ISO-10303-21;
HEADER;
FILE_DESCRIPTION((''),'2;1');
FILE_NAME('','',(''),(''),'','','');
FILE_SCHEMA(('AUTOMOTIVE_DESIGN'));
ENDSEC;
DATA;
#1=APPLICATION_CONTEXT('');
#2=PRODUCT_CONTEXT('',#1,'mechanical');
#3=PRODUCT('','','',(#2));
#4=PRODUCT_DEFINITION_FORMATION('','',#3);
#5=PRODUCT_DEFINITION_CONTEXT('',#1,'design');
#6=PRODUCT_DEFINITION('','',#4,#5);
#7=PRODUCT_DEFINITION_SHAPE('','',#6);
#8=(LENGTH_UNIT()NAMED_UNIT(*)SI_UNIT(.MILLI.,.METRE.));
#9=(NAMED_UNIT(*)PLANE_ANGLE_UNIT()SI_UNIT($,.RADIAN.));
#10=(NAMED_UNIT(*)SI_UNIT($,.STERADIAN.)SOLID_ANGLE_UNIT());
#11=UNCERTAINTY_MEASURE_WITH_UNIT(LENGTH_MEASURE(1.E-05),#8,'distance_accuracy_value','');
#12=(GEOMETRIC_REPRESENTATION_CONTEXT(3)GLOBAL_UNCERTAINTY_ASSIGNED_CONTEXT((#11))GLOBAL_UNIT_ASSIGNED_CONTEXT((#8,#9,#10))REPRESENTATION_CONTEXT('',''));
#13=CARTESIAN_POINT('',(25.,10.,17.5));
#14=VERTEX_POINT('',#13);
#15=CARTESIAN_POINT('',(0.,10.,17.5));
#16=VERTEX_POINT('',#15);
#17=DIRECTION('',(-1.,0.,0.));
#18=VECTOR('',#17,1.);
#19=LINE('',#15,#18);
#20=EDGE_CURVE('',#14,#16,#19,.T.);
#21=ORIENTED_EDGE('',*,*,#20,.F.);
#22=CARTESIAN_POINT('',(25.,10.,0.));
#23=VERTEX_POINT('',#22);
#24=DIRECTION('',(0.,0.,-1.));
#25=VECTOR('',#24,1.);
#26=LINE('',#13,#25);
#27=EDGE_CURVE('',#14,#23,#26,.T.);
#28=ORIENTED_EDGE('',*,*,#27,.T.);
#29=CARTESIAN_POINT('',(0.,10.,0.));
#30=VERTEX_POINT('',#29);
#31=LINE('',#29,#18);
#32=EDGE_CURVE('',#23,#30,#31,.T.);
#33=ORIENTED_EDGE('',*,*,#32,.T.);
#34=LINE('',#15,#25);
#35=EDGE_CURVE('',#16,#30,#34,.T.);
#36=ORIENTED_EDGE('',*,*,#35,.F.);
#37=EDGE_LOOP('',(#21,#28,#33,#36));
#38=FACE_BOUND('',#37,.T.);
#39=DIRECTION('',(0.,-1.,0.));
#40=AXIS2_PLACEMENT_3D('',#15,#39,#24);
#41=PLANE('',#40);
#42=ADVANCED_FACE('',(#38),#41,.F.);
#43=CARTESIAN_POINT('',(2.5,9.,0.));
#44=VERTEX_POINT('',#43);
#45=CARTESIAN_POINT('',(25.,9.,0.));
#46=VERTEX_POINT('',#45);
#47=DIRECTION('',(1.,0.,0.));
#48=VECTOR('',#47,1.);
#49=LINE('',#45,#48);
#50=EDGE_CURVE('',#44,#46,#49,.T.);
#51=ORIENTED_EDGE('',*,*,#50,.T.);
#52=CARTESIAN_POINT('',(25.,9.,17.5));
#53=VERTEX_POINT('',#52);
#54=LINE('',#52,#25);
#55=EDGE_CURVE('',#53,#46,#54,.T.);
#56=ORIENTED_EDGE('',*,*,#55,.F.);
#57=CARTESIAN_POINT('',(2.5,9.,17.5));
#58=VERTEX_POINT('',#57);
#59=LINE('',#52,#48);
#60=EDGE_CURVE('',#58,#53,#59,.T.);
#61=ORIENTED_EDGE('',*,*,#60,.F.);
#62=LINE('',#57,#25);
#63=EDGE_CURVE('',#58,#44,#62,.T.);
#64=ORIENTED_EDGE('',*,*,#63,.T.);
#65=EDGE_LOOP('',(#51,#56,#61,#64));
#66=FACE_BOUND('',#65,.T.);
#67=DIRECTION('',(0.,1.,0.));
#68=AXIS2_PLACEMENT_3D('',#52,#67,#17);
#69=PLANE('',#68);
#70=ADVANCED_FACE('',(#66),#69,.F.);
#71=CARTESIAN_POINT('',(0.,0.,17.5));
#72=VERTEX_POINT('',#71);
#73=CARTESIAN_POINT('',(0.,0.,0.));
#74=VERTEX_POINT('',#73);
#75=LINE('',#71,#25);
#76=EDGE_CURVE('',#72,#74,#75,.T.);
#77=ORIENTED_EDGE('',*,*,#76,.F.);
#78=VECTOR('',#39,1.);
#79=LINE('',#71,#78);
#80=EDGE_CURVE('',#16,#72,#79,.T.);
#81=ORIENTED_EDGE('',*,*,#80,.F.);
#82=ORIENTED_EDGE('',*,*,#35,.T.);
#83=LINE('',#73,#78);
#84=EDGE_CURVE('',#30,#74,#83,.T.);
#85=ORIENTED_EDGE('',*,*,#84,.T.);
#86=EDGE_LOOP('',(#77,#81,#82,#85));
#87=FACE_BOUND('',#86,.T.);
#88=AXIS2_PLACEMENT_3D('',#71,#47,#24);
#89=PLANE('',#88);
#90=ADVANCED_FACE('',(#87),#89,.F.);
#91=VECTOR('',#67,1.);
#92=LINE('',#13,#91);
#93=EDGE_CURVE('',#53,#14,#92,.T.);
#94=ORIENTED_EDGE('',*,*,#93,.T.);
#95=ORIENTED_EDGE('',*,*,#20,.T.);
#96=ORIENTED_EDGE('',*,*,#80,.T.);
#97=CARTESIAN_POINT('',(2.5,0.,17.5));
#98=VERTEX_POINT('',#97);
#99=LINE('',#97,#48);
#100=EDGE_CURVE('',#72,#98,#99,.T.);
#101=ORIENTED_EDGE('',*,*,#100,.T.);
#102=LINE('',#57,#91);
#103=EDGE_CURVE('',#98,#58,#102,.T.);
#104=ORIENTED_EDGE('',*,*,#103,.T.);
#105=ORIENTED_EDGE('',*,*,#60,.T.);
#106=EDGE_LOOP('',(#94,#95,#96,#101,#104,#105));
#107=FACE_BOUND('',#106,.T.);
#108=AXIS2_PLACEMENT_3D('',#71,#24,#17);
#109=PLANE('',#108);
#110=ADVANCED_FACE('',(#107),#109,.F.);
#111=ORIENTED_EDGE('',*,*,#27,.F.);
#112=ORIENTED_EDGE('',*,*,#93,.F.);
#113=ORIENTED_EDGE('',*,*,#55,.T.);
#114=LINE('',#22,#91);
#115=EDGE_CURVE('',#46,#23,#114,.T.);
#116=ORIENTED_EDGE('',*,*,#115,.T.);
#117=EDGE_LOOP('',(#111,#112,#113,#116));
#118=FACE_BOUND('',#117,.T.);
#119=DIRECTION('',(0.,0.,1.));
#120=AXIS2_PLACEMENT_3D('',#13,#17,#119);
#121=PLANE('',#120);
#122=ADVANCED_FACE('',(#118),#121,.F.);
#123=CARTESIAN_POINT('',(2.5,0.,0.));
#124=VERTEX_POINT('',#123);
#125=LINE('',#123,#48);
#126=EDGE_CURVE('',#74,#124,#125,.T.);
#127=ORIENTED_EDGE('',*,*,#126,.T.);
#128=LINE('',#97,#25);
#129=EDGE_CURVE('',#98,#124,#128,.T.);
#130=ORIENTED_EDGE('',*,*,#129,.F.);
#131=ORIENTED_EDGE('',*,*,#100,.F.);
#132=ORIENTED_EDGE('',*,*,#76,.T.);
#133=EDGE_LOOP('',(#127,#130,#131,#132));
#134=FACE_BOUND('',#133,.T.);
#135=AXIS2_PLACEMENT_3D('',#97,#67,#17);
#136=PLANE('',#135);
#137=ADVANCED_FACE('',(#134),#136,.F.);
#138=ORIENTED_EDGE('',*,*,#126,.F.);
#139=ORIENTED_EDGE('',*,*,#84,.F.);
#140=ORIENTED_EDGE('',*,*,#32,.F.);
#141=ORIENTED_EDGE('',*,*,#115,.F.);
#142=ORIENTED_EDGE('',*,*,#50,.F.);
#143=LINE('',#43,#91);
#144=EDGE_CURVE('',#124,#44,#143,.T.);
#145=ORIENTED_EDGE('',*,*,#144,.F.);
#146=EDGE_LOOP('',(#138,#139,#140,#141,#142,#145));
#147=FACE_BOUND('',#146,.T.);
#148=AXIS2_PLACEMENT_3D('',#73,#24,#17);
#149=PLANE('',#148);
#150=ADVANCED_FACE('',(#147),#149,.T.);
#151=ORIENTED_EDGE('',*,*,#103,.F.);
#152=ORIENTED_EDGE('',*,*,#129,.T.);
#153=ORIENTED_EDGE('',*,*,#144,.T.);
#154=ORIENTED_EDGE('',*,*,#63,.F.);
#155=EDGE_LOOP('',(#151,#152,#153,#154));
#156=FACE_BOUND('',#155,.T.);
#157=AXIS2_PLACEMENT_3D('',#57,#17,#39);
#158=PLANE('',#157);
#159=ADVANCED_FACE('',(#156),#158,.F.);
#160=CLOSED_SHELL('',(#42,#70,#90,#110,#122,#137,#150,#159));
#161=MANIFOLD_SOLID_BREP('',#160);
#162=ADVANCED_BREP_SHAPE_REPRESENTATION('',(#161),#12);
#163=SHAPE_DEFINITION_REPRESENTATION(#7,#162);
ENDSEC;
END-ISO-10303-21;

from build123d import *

# Parameters (mm, degrees)
BOSS_EXTRUDE1_DEPTH = 17.5


with BuildPart() as part:
    # Sketch1 → Boss-Extrude1 (new body)
    with BuildSketch(Plane.XY):
        Polygon((0, 0), (0, 10), (25, 10), (25, 9), (2.5, 9), (2.5, 0), align=None)
    extrude(amount=BOSS_EXTRUDE1_DEPTH)


solid = part.part
